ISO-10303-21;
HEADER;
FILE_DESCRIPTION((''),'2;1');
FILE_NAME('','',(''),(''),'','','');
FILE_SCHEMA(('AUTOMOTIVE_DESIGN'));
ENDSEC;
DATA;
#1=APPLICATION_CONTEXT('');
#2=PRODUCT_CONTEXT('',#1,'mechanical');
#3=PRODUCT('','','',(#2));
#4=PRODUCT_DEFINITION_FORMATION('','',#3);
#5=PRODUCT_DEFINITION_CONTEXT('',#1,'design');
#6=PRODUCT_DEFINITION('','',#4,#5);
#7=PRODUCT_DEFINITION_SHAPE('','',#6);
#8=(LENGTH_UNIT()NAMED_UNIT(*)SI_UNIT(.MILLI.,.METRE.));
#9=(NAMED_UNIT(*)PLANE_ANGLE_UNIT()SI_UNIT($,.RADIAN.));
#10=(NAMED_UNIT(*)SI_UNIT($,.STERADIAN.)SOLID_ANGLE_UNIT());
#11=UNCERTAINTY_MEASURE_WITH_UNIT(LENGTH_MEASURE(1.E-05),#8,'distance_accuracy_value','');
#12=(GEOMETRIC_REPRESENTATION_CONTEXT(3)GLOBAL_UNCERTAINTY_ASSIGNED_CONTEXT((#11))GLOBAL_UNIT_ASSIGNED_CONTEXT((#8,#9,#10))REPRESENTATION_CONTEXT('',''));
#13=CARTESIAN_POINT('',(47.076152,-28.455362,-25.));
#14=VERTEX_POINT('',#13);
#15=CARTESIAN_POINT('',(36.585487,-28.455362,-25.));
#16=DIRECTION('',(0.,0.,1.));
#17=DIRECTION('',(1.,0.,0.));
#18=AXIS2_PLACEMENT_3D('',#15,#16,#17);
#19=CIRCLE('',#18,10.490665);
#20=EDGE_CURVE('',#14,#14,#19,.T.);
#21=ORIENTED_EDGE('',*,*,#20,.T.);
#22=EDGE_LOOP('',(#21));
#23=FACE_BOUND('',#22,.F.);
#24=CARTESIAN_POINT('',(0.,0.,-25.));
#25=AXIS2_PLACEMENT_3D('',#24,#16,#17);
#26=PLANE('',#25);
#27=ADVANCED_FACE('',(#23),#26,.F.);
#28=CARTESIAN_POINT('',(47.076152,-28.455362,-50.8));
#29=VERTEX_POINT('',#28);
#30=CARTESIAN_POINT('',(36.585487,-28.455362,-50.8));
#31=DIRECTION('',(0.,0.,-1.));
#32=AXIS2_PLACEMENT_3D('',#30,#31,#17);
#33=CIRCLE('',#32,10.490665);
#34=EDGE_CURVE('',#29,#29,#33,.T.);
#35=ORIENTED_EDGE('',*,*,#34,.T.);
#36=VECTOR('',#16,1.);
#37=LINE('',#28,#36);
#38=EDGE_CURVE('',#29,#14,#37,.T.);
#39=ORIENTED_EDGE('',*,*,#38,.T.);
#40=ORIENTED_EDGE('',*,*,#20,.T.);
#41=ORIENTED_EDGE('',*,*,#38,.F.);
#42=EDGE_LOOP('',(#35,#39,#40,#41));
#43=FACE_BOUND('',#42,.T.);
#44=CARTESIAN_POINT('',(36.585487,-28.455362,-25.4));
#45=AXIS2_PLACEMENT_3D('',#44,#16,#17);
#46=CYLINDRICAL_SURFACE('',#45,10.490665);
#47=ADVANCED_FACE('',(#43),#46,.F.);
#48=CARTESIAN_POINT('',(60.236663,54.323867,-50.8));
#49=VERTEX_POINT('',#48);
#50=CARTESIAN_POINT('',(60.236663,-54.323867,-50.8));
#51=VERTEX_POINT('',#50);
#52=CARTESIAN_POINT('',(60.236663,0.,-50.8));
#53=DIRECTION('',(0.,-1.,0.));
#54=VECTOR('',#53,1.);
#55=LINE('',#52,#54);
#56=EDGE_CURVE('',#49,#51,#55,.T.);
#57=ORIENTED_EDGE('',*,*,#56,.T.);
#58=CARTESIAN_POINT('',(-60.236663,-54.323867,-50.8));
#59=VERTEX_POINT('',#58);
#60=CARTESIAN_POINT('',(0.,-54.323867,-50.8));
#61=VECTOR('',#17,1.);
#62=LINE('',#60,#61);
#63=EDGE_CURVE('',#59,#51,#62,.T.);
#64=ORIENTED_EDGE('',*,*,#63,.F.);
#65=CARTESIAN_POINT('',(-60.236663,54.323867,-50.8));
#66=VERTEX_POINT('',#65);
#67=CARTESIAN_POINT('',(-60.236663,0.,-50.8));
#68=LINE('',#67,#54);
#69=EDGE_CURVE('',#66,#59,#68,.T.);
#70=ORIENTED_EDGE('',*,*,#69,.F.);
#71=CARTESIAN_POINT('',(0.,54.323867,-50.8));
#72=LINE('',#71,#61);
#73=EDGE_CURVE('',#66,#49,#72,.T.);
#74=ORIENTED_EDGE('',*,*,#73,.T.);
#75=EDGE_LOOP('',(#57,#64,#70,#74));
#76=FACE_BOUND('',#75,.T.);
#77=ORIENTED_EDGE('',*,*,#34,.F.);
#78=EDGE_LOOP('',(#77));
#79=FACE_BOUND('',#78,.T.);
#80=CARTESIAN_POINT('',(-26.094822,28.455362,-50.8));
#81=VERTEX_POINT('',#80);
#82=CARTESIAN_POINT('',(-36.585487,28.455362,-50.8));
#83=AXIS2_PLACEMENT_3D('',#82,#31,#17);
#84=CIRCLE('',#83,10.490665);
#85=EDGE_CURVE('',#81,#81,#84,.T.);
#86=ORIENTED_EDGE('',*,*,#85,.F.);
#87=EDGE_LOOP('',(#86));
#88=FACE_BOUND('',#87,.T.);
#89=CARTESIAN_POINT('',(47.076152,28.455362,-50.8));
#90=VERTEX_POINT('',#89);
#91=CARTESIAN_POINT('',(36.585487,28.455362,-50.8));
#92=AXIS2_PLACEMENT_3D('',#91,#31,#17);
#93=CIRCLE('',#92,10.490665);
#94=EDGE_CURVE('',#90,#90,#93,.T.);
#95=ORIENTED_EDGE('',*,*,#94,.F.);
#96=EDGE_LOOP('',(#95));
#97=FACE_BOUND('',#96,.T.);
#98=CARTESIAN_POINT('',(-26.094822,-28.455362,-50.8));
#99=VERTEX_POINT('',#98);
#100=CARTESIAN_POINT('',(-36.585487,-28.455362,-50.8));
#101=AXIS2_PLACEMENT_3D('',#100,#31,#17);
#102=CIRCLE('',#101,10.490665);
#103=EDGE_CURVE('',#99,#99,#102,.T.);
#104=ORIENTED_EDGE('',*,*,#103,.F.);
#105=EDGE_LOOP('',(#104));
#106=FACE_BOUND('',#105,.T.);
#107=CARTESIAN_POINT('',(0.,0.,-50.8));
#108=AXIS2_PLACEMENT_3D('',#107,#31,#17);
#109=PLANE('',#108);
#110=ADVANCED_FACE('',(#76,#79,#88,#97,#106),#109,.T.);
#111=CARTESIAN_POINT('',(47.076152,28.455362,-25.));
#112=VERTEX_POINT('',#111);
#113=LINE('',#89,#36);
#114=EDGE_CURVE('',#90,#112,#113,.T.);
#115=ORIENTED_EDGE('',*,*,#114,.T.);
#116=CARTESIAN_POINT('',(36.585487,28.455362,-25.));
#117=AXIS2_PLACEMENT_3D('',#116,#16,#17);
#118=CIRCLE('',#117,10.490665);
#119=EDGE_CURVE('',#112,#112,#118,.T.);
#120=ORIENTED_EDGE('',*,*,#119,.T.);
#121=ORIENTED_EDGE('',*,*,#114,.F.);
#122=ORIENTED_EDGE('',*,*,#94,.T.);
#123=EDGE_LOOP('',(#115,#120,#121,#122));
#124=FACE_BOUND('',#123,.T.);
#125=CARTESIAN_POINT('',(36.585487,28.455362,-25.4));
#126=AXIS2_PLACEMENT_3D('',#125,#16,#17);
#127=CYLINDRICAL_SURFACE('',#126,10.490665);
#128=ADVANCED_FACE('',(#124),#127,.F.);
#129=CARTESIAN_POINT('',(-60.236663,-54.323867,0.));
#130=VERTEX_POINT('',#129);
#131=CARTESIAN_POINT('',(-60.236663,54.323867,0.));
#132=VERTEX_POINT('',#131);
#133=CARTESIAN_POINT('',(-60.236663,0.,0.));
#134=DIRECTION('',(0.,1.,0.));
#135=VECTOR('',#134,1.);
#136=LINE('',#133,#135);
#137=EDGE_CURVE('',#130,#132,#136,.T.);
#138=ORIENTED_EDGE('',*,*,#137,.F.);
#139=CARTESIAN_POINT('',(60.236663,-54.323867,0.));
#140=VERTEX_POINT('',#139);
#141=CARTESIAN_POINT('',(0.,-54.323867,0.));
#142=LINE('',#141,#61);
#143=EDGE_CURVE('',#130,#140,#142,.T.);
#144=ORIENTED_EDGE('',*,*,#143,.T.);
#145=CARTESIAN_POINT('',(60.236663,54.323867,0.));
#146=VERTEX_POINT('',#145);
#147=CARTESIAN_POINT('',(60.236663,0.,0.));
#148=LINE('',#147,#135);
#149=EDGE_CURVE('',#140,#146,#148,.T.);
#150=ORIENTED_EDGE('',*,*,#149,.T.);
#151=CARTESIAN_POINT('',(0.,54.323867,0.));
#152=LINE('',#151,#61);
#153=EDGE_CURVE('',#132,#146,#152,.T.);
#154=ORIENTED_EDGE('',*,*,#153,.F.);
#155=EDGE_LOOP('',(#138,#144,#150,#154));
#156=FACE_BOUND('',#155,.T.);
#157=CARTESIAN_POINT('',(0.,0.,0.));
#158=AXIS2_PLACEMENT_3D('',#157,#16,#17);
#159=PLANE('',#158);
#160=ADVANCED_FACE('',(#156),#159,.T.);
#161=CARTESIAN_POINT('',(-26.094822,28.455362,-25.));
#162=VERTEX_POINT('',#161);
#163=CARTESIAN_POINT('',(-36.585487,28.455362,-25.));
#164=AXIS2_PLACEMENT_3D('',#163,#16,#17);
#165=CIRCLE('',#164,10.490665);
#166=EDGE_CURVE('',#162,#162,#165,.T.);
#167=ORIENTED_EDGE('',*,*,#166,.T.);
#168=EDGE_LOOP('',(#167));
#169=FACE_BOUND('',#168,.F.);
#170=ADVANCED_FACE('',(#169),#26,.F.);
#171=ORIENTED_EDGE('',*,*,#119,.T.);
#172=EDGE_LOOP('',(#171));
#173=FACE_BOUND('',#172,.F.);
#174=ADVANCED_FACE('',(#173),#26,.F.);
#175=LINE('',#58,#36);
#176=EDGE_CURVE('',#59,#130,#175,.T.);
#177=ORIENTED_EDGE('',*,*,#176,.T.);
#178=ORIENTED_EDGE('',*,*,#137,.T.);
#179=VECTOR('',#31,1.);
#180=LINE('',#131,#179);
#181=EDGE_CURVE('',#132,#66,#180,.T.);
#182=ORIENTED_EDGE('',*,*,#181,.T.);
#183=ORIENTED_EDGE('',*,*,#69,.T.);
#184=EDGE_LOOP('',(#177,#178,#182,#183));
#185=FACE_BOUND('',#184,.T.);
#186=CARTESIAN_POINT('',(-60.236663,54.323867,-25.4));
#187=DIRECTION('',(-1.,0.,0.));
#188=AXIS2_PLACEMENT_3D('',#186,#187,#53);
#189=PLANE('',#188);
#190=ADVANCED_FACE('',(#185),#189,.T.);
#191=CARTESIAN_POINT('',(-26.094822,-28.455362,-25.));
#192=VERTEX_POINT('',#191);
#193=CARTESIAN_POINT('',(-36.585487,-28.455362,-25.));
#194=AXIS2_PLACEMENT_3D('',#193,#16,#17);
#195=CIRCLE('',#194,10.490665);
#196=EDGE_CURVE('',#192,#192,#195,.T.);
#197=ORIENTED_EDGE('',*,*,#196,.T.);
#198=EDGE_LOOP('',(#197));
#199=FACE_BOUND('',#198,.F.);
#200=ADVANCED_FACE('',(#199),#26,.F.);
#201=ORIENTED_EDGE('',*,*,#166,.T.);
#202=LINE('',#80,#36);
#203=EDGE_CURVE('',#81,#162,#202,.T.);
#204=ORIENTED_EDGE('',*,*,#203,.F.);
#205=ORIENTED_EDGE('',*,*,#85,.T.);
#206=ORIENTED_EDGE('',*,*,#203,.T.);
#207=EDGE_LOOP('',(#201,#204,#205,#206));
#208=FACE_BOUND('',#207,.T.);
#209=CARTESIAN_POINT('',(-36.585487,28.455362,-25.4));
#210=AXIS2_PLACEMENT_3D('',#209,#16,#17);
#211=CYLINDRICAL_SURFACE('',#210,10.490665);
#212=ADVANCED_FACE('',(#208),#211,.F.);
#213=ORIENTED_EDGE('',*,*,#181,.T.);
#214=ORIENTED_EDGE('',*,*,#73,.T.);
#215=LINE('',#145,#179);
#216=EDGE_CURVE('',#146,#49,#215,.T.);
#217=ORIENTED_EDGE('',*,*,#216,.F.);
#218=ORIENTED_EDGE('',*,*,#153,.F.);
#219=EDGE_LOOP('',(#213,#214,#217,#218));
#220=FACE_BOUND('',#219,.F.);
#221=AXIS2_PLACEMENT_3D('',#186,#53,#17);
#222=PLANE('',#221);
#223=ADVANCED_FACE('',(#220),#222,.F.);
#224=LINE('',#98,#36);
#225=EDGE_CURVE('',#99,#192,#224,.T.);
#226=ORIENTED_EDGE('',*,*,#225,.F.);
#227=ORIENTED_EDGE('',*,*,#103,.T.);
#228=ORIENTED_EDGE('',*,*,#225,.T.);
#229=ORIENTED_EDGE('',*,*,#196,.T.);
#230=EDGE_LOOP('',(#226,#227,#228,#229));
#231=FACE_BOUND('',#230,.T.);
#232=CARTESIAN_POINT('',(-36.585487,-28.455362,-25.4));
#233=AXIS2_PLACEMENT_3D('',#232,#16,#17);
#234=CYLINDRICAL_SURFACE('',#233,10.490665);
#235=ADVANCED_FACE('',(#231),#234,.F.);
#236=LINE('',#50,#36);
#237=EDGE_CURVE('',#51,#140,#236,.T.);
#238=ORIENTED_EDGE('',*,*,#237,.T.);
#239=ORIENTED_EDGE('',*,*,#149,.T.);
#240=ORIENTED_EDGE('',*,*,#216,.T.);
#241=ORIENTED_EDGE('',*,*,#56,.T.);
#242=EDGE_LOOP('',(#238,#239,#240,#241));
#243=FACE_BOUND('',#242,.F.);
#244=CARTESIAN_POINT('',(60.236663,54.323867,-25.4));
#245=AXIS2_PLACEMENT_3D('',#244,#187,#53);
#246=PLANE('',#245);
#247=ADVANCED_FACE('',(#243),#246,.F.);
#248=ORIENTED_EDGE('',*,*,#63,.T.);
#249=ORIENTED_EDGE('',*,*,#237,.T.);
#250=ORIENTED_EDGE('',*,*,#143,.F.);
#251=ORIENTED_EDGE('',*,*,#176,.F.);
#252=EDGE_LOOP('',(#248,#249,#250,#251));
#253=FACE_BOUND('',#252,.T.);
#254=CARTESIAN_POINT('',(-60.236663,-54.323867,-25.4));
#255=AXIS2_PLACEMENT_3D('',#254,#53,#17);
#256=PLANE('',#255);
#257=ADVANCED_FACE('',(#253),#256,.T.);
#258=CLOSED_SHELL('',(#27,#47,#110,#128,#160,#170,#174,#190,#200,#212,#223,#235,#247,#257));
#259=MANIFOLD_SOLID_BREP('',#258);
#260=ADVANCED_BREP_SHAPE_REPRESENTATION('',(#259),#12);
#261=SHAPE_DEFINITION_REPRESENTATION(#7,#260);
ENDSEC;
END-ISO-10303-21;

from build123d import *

# Parameters (mm, degrees)
F0_W      = 120.473326
F0_H      = 108.647734
F1_DEPTH  = 25
F3_R      = 5.08
F2_W      = 120.473326
F2_H      = 108.647734
F2_R      = 10.490665
F4_DEPTH  = 25.4
F4_FACE_W = 120.473326
F4_FACE_H = 108.647734
F4_FACE_R = 10.490665
F5_DEPTH  = 25.4


with BuildPart() as f1:
    # F0 (on Top) → F1 (new body)
    with BuildSketch(Plane.XY):
        Rectangle(F0_W, F0_H)
    extrude(amount=-F1_DEPTH)

    # F3
    f3_edges = [f1.edges().sort_by_distance(p)[0] for p in [
        (0, -54.323867, -25),
        (-60.236663, 0, -25),
        (0, 54.323867, -25),
        (60.236663, 0, -25),
        (60.236663, -54.323867, -12.5),
        (60.236663, 0, 0),
        (60.236663, 54.323867, -12.5),
        (-60.236663, -54.323867, -12.5),
        (0, -54.323867, 0),
        (-60.236663, 0, 0),
        (0, 54.323867, 0),
        (-60.236663, 54.323867, -12.5),
    ]]
    fillet(f3_edges, radius=F3_R)

    # F2 (on face) → F4 (join)
    with BuildSketch(Plane.XY):
        Rectangle(F2_W, F2_H)
        with Locations((-36.585487, -28.455362)):
            Circle(F2_R, mode=Mode.SUBTRACT)
        with Locations((36.585487, -28.455362)):
            Circle(F2_R, mode=Mode.SUBTRACT)
        with Locations((-36.585487, 28.455362)):
            Circle(F2_R, mode=Mode.SUBTRACT)
        with Locations((36.585487, 28.455362)):
            Circle(F2_R, mode=Mode.SUBTRACT)
    extrude(amount=-F4_DEPTH)

    # F4_face (on face) → F5 (join)
    with BuildSketch(Plane(origin=(0, 0, -25.4), x_dir=(1, 0, 0), z_dir=(0, 0, -1))):
        Rectangle(F4_FACE_W, F4_FACE_H)
        with Locations((-36.585487, 28.455362)):
            Circle(F4_FACE_R, mode=Mode.SUBTRACT)
        with Locations((36.585487, 28.455362)):
            Circle(F4_FACE_R, mode=Mode.SUBTRACT)
        with Locations((-36.585487, -28.455362)):
            Circle(F4_FACE_R, mode=Mode.SUBTRACT)
        with Locations((36.585487, -28.455362)):
            Circle(F4_FACE_R, mode=Mode.SUBTRACT)
    extrude(amount=F5_DEPTH)


solid = f1.part
